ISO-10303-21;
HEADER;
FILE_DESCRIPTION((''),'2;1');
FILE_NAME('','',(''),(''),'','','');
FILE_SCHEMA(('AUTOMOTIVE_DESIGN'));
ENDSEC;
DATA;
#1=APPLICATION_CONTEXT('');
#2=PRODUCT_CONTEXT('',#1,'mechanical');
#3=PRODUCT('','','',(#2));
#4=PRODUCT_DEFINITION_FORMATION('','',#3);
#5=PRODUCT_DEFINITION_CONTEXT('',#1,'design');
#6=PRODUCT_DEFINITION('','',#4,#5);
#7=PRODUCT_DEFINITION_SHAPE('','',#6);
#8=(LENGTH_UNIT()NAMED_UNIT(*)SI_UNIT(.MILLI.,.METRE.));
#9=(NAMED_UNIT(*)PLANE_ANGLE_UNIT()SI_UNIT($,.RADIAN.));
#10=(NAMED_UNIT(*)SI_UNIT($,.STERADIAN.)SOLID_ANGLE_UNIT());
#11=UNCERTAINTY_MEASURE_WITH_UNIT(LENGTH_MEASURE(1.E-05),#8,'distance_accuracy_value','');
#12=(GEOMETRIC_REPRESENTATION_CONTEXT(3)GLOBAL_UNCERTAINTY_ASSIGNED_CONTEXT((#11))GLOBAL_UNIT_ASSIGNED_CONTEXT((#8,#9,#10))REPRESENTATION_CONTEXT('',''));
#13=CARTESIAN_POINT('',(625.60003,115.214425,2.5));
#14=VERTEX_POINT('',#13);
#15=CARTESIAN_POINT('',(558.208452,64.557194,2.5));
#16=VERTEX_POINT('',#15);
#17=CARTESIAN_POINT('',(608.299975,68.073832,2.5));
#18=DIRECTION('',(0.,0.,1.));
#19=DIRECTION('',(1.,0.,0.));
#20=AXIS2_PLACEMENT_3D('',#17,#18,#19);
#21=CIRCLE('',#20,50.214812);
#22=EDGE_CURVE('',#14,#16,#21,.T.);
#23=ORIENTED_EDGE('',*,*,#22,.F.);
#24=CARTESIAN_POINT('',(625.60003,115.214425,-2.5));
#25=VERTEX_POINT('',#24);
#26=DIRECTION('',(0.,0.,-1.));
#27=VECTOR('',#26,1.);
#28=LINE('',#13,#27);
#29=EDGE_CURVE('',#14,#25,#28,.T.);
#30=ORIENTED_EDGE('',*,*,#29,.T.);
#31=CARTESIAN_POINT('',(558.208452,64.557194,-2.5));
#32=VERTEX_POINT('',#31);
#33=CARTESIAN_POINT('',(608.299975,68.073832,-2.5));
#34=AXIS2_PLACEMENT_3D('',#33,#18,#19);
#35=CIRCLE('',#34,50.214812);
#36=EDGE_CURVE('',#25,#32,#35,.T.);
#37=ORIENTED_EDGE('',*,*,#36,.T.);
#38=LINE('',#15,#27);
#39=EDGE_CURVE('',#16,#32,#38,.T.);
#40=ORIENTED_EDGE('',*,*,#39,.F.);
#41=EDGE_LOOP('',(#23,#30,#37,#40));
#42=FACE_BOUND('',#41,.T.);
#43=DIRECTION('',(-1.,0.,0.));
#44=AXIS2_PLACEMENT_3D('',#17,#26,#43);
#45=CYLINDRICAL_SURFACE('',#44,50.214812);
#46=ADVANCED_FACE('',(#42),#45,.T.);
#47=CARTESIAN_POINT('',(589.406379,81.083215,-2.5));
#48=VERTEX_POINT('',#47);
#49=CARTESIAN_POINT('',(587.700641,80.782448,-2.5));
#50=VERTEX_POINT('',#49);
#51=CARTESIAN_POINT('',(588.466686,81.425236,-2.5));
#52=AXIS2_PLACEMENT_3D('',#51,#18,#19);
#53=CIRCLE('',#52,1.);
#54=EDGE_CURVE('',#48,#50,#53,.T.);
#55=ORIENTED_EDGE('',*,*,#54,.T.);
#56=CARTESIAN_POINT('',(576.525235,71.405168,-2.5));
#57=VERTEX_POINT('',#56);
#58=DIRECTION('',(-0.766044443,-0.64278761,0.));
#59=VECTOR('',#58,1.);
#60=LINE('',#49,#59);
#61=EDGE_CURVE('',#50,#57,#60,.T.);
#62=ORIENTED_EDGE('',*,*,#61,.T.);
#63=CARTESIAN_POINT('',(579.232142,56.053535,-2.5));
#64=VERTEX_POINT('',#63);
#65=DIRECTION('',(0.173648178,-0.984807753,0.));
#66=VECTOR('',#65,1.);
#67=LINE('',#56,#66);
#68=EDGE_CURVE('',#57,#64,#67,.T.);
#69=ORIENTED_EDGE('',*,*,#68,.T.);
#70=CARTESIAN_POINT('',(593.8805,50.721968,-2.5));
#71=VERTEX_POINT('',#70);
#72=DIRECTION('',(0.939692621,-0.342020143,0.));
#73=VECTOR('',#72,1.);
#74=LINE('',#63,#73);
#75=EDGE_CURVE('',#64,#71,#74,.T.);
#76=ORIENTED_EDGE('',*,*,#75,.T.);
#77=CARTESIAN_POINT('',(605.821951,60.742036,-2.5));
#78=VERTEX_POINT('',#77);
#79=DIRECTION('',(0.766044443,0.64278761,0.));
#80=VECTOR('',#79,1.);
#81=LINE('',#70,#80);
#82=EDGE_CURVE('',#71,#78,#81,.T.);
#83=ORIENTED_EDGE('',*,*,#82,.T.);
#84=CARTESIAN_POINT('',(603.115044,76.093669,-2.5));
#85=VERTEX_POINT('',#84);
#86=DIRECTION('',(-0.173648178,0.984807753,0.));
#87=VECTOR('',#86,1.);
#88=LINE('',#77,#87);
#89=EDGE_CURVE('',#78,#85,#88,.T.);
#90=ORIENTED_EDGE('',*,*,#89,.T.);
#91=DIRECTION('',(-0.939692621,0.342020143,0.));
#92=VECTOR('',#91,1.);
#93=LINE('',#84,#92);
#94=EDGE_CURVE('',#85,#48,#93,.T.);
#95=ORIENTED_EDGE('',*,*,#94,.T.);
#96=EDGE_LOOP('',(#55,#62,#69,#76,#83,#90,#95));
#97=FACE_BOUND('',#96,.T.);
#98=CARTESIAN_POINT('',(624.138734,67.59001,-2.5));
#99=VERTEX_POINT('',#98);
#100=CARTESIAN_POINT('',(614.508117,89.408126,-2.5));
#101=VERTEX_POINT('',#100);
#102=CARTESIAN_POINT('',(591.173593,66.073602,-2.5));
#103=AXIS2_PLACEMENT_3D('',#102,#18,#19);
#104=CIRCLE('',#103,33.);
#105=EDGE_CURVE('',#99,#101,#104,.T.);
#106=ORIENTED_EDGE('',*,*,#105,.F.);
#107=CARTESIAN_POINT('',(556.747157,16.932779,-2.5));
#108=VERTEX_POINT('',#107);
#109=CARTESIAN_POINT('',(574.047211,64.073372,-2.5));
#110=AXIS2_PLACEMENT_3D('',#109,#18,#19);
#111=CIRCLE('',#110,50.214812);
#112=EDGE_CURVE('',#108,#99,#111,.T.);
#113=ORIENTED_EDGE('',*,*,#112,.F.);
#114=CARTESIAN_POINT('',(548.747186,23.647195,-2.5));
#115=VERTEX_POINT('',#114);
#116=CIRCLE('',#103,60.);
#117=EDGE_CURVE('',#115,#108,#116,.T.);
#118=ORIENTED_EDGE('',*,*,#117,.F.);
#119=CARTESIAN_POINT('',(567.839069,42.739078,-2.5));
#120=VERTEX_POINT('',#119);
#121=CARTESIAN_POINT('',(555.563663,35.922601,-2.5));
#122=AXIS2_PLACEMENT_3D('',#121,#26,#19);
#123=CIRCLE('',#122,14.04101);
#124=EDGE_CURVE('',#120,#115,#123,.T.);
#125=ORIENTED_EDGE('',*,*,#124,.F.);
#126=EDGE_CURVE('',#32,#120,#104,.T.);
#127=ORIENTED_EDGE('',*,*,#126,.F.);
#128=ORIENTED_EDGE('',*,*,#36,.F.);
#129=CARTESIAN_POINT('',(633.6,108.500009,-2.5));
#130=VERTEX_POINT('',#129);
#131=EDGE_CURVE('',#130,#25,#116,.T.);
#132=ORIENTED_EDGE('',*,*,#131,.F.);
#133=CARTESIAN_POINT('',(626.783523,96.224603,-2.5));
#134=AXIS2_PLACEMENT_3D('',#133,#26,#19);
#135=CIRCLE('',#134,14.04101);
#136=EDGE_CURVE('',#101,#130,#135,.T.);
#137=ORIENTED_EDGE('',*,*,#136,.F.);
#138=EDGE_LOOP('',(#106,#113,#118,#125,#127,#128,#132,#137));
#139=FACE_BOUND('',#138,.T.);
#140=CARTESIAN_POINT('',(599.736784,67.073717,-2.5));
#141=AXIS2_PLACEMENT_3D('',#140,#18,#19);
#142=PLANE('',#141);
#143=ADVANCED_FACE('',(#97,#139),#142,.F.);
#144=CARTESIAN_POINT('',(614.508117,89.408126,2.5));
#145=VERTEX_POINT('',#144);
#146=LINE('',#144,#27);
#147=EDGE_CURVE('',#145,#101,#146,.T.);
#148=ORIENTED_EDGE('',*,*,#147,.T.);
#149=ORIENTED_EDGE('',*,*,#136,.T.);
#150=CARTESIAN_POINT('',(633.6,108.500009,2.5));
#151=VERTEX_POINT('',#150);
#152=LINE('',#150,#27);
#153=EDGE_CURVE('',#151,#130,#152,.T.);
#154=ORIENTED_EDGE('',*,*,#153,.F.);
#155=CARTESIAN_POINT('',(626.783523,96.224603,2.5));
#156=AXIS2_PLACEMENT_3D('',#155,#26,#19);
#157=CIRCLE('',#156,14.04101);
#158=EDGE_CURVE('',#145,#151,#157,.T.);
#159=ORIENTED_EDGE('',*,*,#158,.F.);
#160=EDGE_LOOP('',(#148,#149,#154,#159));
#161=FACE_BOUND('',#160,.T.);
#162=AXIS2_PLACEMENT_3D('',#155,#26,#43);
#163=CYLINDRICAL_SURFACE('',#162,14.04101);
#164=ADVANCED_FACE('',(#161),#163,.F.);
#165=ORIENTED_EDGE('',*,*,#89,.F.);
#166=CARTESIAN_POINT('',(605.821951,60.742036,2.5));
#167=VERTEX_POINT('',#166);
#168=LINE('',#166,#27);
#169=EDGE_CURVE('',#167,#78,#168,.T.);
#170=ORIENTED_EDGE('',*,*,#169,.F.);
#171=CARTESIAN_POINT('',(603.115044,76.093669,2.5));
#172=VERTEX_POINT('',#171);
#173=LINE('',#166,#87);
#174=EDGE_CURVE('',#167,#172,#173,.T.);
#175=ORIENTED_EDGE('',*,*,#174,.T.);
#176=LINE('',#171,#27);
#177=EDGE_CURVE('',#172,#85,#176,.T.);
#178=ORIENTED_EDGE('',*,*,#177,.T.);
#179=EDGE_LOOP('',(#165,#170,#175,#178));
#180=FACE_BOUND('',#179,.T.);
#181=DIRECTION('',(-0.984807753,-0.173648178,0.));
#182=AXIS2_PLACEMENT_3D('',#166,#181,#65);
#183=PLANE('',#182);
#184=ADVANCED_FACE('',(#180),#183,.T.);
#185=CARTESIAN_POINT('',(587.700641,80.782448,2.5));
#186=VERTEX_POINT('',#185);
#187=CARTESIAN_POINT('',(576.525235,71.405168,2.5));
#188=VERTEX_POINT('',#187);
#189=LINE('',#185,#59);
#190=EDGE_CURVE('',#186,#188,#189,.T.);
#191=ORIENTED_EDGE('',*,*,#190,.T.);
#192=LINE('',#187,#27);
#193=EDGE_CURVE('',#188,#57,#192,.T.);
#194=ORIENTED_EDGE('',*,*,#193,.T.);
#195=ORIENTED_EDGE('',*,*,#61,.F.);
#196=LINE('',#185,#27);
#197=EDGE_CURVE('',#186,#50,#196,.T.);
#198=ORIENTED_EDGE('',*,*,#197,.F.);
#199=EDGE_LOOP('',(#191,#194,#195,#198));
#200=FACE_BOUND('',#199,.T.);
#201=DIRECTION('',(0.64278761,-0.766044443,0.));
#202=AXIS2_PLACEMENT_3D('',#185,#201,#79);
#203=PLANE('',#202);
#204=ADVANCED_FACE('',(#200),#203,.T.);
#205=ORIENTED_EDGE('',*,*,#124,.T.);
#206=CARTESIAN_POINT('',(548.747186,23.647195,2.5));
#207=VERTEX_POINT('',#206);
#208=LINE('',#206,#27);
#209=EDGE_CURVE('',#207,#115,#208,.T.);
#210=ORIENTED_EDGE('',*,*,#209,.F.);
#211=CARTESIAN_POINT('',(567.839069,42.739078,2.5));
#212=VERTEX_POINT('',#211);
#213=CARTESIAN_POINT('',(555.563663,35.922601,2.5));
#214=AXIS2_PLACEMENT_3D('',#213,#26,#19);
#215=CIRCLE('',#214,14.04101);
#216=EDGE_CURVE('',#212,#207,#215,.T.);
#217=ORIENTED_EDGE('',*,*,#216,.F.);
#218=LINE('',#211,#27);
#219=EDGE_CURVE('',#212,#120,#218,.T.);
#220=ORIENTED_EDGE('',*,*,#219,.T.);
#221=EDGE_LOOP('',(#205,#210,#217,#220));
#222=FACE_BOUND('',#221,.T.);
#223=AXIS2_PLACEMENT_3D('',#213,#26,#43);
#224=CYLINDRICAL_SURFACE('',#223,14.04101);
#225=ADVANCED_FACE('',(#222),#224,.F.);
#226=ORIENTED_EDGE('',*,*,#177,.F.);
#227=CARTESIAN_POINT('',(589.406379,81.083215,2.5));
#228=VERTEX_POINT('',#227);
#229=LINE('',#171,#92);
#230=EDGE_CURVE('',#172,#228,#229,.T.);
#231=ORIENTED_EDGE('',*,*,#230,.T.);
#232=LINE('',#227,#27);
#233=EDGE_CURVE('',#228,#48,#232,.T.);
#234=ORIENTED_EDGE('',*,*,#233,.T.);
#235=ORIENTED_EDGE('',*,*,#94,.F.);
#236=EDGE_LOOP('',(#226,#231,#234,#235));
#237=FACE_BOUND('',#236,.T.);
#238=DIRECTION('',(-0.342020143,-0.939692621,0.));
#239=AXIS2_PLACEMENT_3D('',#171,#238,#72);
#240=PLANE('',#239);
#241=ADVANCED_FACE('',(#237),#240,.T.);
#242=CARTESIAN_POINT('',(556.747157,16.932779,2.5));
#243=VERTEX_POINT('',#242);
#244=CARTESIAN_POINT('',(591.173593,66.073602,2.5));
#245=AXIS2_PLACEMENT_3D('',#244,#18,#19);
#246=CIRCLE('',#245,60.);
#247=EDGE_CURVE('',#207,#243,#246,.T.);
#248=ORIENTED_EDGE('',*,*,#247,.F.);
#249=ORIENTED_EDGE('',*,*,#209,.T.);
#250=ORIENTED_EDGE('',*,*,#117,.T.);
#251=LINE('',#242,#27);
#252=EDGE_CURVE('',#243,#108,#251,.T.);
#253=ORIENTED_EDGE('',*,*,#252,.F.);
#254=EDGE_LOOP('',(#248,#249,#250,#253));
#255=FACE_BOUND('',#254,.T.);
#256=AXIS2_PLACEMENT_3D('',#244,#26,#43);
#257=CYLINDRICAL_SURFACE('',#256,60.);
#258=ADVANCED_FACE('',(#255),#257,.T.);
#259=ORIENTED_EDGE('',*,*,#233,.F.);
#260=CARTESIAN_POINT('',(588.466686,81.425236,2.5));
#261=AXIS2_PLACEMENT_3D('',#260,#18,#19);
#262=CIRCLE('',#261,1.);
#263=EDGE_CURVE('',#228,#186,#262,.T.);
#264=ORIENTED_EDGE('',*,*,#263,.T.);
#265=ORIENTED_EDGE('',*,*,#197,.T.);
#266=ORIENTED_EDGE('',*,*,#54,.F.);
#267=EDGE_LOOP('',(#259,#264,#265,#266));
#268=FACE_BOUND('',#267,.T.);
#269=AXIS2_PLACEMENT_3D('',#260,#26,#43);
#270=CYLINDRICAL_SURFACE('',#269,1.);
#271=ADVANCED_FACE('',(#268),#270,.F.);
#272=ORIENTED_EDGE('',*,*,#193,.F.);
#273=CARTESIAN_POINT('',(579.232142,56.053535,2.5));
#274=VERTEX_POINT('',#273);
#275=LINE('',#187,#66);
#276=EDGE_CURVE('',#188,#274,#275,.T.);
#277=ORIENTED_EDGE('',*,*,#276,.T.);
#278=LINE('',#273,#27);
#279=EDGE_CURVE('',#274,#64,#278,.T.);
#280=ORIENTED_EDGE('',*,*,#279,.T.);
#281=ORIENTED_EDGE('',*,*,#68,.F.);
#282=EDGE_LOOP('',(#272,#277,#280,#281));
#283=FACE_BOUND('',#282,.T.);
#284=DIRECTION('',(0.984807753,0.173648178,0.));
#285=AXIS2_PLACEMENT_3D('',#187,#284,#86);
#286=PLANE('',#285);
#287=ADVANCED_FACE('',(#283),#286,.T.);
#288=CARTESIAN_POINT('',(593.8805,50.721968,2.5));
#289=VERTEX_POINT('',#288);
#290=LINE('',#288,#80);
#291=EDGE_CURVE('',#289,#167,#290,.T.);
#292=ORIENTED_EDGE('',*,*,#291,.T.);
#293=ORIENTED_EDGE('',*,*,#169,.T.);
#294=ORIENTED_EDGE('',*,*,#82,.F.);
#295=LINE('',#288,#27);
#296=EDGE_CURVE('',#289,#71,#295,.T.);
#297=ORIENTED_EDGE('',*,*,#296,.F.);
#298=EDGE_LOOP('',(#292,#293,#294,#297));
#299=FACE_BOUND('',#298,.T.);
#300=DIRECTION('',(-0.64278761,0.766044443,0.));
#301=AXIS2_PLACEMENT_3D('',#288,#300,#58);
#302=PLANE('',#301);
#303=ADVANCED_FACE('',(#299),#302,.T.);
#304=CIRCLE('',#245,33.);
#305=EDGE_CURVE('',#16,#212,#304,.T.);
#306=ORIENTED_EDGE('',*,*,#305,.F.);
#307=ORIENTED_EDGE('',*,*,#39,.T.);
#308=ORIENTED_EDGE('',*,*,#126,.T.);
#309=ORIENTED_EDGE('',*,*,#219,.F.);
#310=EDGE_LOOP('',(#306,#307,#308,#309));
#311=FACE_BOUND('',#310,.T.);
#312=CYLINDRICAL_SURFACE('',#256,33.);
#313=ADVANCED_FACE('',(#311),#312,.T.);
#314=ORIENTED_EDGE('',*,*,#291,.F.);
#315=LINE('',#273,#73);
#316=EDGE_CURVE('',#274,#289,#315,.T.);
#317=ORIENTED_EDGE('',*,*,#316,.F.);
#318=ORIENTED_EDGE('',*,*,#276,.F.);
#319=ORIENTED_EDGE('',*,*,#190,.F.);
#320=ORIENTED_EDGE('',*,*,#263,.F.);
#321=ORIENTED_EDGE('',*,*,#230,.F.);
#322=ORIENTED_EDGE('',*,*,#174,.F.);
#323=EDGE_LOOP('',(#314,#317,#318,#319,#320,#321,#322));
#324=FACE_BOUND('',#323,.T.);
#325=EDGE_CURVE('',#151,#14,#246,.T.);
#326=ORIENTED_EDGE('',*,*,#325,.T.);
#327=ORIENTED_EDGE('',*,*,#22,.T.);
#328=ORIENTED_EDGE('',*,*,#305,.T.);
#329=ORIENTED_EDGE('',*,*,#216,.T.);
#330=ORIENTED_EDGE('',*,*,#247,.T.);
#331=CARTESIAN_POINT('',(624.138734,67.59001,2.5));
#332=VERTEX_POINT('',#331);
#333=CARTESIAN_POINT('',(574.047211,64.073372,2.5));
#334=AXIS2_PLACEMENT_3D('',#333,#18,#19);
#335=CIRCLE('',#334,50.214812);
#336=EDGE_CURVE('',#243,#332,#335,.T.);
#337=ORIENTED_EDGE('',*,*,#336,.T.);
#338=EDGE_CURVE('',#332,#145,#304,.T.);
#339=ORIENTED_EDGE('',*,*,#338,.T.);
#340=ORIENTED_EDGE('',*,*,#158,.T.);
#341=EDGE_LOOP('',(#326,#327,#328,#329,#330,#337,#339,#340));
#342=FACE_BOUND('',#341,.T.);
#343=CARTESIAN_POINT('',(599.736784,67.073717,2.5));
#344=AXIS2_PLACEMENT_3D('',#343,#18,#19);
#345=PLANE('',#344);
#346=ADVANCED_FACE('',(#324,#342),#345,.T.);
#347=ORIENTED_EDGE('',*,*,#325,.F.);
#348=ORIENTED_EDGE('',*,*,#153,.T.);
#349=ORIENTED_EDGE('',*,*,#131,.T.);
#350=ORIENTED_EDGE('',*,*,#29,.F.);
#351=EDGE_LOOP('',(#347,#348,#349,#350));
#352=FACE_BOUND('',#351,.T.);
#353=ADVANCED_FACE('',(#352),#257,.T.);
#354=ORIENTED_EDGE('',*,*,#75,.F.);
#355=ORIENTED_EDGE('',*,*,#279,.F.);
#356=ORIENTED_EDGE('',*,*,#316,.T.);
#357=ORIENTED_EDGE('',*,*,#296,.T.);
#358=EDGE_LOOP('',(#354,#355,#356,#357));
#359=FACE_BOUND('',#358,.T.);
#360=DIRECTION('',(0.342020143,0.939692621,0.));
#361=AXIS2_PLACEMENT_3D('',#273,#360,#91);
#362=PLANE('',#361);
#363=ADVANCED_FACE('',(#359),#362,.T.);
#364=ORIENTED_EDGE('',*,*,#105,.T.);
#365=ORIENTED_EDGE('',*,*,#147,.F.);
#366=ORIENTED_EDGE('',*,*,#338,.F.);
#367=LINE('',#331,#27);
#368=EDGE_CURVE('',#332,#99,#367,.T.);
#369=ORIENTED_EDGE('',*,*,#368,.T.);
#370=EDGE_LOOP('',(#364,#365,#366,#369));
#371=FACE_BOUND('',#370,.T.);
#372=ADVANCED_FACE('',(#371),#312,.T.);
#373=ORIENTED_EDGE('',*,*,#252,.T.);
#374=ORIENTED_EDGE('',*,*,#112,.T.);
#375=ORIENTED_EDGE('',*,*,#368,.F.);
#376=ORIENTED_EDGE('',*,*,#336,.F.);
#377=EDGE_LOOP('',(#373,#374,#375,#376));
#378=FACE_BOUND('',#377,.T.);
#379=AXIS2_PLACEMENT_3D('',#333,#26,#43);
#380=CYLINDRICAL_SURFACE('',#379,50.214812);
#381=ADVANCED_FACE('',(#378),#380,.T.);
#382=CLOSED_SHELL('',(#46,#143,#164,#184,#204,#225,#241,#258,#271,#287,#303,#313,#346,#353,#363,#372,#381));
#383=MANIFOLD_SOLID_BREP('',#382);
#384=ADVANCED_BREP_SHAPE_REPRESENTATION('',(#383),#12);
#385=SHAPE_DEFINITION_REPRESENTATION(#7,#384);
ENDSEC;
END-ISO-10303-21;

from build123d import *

# Parameters (mm, degrees)
BOSS_EXTRUDE1_DEPTH = 2.5


with BuildPart() as part:
    # Model → Boss-Extrude1 (new, symmetric)
    with BuildSketch(Plane.XY):
        with BuildLine():
            ThreePointArc((625.600029607, 115.214424851), (578.127821467, 108.213195948), (558.208452339, 64.557194238))
            ThreePointArc((558.208452339, 64.557194238), (560.983849767, 52.747710067), (567.839069353, 42.739078209))
            ThreePointArc((567.839069353, 42.739078209), (565.492156458, 25.994108012), (548.747186261, 23.647195117))
            ThreePointArc((548.747186261, 23.647195117), (552.600795358, 20.115585583), (556.747156658, 16.932779125))
            ThreePointArc((556.747156658, 16.932779125), (604.219364798, 23.934008028), (624.138733926, 67.590009739))
            ThreePointArc((624.138733926, 67.590009739), (621.363336499, 79.399493909), (614.508116912, 89.408125767))
            ThreePointArc((614.508116912, 89.408125767), (616.855029807, 106.153095964), (633.600000004, 108.500008859))
            ThreePointArc((633.600000004, 108.500008859), (629.746390907, 112.031618393), (625.600029607, 115.214424851))
        make_face()
        with BuildLine():
            Line((603.1150442, 76.093669174), (589.406378556, 81.08321542))
            ThreePointArc((589.406378556, 81.08321542), (588.293037758, 82.410043316), (587.700641492, 80.782447954))
            Line((587.700641492, 80.782447954), (576.525234868, 71.405168377))
            Line((576.525234868, 71.405168377), (579.232142066, 56.053534802))
            Line((579.232142066, 56.053534802), (593.88050033, 50.721968413))
            Line((593.88050033, 50.721968413), (605.821951397, 60.742035599))
            Line((605.821951397, 60.742035599), (603.1150442, 76.093669174))
        make_face(mode=Mode.SUBTRACT)
    extrude(amount=BOSS_EXTRUDE1_DEPTH, both=True)


solid = part.part
